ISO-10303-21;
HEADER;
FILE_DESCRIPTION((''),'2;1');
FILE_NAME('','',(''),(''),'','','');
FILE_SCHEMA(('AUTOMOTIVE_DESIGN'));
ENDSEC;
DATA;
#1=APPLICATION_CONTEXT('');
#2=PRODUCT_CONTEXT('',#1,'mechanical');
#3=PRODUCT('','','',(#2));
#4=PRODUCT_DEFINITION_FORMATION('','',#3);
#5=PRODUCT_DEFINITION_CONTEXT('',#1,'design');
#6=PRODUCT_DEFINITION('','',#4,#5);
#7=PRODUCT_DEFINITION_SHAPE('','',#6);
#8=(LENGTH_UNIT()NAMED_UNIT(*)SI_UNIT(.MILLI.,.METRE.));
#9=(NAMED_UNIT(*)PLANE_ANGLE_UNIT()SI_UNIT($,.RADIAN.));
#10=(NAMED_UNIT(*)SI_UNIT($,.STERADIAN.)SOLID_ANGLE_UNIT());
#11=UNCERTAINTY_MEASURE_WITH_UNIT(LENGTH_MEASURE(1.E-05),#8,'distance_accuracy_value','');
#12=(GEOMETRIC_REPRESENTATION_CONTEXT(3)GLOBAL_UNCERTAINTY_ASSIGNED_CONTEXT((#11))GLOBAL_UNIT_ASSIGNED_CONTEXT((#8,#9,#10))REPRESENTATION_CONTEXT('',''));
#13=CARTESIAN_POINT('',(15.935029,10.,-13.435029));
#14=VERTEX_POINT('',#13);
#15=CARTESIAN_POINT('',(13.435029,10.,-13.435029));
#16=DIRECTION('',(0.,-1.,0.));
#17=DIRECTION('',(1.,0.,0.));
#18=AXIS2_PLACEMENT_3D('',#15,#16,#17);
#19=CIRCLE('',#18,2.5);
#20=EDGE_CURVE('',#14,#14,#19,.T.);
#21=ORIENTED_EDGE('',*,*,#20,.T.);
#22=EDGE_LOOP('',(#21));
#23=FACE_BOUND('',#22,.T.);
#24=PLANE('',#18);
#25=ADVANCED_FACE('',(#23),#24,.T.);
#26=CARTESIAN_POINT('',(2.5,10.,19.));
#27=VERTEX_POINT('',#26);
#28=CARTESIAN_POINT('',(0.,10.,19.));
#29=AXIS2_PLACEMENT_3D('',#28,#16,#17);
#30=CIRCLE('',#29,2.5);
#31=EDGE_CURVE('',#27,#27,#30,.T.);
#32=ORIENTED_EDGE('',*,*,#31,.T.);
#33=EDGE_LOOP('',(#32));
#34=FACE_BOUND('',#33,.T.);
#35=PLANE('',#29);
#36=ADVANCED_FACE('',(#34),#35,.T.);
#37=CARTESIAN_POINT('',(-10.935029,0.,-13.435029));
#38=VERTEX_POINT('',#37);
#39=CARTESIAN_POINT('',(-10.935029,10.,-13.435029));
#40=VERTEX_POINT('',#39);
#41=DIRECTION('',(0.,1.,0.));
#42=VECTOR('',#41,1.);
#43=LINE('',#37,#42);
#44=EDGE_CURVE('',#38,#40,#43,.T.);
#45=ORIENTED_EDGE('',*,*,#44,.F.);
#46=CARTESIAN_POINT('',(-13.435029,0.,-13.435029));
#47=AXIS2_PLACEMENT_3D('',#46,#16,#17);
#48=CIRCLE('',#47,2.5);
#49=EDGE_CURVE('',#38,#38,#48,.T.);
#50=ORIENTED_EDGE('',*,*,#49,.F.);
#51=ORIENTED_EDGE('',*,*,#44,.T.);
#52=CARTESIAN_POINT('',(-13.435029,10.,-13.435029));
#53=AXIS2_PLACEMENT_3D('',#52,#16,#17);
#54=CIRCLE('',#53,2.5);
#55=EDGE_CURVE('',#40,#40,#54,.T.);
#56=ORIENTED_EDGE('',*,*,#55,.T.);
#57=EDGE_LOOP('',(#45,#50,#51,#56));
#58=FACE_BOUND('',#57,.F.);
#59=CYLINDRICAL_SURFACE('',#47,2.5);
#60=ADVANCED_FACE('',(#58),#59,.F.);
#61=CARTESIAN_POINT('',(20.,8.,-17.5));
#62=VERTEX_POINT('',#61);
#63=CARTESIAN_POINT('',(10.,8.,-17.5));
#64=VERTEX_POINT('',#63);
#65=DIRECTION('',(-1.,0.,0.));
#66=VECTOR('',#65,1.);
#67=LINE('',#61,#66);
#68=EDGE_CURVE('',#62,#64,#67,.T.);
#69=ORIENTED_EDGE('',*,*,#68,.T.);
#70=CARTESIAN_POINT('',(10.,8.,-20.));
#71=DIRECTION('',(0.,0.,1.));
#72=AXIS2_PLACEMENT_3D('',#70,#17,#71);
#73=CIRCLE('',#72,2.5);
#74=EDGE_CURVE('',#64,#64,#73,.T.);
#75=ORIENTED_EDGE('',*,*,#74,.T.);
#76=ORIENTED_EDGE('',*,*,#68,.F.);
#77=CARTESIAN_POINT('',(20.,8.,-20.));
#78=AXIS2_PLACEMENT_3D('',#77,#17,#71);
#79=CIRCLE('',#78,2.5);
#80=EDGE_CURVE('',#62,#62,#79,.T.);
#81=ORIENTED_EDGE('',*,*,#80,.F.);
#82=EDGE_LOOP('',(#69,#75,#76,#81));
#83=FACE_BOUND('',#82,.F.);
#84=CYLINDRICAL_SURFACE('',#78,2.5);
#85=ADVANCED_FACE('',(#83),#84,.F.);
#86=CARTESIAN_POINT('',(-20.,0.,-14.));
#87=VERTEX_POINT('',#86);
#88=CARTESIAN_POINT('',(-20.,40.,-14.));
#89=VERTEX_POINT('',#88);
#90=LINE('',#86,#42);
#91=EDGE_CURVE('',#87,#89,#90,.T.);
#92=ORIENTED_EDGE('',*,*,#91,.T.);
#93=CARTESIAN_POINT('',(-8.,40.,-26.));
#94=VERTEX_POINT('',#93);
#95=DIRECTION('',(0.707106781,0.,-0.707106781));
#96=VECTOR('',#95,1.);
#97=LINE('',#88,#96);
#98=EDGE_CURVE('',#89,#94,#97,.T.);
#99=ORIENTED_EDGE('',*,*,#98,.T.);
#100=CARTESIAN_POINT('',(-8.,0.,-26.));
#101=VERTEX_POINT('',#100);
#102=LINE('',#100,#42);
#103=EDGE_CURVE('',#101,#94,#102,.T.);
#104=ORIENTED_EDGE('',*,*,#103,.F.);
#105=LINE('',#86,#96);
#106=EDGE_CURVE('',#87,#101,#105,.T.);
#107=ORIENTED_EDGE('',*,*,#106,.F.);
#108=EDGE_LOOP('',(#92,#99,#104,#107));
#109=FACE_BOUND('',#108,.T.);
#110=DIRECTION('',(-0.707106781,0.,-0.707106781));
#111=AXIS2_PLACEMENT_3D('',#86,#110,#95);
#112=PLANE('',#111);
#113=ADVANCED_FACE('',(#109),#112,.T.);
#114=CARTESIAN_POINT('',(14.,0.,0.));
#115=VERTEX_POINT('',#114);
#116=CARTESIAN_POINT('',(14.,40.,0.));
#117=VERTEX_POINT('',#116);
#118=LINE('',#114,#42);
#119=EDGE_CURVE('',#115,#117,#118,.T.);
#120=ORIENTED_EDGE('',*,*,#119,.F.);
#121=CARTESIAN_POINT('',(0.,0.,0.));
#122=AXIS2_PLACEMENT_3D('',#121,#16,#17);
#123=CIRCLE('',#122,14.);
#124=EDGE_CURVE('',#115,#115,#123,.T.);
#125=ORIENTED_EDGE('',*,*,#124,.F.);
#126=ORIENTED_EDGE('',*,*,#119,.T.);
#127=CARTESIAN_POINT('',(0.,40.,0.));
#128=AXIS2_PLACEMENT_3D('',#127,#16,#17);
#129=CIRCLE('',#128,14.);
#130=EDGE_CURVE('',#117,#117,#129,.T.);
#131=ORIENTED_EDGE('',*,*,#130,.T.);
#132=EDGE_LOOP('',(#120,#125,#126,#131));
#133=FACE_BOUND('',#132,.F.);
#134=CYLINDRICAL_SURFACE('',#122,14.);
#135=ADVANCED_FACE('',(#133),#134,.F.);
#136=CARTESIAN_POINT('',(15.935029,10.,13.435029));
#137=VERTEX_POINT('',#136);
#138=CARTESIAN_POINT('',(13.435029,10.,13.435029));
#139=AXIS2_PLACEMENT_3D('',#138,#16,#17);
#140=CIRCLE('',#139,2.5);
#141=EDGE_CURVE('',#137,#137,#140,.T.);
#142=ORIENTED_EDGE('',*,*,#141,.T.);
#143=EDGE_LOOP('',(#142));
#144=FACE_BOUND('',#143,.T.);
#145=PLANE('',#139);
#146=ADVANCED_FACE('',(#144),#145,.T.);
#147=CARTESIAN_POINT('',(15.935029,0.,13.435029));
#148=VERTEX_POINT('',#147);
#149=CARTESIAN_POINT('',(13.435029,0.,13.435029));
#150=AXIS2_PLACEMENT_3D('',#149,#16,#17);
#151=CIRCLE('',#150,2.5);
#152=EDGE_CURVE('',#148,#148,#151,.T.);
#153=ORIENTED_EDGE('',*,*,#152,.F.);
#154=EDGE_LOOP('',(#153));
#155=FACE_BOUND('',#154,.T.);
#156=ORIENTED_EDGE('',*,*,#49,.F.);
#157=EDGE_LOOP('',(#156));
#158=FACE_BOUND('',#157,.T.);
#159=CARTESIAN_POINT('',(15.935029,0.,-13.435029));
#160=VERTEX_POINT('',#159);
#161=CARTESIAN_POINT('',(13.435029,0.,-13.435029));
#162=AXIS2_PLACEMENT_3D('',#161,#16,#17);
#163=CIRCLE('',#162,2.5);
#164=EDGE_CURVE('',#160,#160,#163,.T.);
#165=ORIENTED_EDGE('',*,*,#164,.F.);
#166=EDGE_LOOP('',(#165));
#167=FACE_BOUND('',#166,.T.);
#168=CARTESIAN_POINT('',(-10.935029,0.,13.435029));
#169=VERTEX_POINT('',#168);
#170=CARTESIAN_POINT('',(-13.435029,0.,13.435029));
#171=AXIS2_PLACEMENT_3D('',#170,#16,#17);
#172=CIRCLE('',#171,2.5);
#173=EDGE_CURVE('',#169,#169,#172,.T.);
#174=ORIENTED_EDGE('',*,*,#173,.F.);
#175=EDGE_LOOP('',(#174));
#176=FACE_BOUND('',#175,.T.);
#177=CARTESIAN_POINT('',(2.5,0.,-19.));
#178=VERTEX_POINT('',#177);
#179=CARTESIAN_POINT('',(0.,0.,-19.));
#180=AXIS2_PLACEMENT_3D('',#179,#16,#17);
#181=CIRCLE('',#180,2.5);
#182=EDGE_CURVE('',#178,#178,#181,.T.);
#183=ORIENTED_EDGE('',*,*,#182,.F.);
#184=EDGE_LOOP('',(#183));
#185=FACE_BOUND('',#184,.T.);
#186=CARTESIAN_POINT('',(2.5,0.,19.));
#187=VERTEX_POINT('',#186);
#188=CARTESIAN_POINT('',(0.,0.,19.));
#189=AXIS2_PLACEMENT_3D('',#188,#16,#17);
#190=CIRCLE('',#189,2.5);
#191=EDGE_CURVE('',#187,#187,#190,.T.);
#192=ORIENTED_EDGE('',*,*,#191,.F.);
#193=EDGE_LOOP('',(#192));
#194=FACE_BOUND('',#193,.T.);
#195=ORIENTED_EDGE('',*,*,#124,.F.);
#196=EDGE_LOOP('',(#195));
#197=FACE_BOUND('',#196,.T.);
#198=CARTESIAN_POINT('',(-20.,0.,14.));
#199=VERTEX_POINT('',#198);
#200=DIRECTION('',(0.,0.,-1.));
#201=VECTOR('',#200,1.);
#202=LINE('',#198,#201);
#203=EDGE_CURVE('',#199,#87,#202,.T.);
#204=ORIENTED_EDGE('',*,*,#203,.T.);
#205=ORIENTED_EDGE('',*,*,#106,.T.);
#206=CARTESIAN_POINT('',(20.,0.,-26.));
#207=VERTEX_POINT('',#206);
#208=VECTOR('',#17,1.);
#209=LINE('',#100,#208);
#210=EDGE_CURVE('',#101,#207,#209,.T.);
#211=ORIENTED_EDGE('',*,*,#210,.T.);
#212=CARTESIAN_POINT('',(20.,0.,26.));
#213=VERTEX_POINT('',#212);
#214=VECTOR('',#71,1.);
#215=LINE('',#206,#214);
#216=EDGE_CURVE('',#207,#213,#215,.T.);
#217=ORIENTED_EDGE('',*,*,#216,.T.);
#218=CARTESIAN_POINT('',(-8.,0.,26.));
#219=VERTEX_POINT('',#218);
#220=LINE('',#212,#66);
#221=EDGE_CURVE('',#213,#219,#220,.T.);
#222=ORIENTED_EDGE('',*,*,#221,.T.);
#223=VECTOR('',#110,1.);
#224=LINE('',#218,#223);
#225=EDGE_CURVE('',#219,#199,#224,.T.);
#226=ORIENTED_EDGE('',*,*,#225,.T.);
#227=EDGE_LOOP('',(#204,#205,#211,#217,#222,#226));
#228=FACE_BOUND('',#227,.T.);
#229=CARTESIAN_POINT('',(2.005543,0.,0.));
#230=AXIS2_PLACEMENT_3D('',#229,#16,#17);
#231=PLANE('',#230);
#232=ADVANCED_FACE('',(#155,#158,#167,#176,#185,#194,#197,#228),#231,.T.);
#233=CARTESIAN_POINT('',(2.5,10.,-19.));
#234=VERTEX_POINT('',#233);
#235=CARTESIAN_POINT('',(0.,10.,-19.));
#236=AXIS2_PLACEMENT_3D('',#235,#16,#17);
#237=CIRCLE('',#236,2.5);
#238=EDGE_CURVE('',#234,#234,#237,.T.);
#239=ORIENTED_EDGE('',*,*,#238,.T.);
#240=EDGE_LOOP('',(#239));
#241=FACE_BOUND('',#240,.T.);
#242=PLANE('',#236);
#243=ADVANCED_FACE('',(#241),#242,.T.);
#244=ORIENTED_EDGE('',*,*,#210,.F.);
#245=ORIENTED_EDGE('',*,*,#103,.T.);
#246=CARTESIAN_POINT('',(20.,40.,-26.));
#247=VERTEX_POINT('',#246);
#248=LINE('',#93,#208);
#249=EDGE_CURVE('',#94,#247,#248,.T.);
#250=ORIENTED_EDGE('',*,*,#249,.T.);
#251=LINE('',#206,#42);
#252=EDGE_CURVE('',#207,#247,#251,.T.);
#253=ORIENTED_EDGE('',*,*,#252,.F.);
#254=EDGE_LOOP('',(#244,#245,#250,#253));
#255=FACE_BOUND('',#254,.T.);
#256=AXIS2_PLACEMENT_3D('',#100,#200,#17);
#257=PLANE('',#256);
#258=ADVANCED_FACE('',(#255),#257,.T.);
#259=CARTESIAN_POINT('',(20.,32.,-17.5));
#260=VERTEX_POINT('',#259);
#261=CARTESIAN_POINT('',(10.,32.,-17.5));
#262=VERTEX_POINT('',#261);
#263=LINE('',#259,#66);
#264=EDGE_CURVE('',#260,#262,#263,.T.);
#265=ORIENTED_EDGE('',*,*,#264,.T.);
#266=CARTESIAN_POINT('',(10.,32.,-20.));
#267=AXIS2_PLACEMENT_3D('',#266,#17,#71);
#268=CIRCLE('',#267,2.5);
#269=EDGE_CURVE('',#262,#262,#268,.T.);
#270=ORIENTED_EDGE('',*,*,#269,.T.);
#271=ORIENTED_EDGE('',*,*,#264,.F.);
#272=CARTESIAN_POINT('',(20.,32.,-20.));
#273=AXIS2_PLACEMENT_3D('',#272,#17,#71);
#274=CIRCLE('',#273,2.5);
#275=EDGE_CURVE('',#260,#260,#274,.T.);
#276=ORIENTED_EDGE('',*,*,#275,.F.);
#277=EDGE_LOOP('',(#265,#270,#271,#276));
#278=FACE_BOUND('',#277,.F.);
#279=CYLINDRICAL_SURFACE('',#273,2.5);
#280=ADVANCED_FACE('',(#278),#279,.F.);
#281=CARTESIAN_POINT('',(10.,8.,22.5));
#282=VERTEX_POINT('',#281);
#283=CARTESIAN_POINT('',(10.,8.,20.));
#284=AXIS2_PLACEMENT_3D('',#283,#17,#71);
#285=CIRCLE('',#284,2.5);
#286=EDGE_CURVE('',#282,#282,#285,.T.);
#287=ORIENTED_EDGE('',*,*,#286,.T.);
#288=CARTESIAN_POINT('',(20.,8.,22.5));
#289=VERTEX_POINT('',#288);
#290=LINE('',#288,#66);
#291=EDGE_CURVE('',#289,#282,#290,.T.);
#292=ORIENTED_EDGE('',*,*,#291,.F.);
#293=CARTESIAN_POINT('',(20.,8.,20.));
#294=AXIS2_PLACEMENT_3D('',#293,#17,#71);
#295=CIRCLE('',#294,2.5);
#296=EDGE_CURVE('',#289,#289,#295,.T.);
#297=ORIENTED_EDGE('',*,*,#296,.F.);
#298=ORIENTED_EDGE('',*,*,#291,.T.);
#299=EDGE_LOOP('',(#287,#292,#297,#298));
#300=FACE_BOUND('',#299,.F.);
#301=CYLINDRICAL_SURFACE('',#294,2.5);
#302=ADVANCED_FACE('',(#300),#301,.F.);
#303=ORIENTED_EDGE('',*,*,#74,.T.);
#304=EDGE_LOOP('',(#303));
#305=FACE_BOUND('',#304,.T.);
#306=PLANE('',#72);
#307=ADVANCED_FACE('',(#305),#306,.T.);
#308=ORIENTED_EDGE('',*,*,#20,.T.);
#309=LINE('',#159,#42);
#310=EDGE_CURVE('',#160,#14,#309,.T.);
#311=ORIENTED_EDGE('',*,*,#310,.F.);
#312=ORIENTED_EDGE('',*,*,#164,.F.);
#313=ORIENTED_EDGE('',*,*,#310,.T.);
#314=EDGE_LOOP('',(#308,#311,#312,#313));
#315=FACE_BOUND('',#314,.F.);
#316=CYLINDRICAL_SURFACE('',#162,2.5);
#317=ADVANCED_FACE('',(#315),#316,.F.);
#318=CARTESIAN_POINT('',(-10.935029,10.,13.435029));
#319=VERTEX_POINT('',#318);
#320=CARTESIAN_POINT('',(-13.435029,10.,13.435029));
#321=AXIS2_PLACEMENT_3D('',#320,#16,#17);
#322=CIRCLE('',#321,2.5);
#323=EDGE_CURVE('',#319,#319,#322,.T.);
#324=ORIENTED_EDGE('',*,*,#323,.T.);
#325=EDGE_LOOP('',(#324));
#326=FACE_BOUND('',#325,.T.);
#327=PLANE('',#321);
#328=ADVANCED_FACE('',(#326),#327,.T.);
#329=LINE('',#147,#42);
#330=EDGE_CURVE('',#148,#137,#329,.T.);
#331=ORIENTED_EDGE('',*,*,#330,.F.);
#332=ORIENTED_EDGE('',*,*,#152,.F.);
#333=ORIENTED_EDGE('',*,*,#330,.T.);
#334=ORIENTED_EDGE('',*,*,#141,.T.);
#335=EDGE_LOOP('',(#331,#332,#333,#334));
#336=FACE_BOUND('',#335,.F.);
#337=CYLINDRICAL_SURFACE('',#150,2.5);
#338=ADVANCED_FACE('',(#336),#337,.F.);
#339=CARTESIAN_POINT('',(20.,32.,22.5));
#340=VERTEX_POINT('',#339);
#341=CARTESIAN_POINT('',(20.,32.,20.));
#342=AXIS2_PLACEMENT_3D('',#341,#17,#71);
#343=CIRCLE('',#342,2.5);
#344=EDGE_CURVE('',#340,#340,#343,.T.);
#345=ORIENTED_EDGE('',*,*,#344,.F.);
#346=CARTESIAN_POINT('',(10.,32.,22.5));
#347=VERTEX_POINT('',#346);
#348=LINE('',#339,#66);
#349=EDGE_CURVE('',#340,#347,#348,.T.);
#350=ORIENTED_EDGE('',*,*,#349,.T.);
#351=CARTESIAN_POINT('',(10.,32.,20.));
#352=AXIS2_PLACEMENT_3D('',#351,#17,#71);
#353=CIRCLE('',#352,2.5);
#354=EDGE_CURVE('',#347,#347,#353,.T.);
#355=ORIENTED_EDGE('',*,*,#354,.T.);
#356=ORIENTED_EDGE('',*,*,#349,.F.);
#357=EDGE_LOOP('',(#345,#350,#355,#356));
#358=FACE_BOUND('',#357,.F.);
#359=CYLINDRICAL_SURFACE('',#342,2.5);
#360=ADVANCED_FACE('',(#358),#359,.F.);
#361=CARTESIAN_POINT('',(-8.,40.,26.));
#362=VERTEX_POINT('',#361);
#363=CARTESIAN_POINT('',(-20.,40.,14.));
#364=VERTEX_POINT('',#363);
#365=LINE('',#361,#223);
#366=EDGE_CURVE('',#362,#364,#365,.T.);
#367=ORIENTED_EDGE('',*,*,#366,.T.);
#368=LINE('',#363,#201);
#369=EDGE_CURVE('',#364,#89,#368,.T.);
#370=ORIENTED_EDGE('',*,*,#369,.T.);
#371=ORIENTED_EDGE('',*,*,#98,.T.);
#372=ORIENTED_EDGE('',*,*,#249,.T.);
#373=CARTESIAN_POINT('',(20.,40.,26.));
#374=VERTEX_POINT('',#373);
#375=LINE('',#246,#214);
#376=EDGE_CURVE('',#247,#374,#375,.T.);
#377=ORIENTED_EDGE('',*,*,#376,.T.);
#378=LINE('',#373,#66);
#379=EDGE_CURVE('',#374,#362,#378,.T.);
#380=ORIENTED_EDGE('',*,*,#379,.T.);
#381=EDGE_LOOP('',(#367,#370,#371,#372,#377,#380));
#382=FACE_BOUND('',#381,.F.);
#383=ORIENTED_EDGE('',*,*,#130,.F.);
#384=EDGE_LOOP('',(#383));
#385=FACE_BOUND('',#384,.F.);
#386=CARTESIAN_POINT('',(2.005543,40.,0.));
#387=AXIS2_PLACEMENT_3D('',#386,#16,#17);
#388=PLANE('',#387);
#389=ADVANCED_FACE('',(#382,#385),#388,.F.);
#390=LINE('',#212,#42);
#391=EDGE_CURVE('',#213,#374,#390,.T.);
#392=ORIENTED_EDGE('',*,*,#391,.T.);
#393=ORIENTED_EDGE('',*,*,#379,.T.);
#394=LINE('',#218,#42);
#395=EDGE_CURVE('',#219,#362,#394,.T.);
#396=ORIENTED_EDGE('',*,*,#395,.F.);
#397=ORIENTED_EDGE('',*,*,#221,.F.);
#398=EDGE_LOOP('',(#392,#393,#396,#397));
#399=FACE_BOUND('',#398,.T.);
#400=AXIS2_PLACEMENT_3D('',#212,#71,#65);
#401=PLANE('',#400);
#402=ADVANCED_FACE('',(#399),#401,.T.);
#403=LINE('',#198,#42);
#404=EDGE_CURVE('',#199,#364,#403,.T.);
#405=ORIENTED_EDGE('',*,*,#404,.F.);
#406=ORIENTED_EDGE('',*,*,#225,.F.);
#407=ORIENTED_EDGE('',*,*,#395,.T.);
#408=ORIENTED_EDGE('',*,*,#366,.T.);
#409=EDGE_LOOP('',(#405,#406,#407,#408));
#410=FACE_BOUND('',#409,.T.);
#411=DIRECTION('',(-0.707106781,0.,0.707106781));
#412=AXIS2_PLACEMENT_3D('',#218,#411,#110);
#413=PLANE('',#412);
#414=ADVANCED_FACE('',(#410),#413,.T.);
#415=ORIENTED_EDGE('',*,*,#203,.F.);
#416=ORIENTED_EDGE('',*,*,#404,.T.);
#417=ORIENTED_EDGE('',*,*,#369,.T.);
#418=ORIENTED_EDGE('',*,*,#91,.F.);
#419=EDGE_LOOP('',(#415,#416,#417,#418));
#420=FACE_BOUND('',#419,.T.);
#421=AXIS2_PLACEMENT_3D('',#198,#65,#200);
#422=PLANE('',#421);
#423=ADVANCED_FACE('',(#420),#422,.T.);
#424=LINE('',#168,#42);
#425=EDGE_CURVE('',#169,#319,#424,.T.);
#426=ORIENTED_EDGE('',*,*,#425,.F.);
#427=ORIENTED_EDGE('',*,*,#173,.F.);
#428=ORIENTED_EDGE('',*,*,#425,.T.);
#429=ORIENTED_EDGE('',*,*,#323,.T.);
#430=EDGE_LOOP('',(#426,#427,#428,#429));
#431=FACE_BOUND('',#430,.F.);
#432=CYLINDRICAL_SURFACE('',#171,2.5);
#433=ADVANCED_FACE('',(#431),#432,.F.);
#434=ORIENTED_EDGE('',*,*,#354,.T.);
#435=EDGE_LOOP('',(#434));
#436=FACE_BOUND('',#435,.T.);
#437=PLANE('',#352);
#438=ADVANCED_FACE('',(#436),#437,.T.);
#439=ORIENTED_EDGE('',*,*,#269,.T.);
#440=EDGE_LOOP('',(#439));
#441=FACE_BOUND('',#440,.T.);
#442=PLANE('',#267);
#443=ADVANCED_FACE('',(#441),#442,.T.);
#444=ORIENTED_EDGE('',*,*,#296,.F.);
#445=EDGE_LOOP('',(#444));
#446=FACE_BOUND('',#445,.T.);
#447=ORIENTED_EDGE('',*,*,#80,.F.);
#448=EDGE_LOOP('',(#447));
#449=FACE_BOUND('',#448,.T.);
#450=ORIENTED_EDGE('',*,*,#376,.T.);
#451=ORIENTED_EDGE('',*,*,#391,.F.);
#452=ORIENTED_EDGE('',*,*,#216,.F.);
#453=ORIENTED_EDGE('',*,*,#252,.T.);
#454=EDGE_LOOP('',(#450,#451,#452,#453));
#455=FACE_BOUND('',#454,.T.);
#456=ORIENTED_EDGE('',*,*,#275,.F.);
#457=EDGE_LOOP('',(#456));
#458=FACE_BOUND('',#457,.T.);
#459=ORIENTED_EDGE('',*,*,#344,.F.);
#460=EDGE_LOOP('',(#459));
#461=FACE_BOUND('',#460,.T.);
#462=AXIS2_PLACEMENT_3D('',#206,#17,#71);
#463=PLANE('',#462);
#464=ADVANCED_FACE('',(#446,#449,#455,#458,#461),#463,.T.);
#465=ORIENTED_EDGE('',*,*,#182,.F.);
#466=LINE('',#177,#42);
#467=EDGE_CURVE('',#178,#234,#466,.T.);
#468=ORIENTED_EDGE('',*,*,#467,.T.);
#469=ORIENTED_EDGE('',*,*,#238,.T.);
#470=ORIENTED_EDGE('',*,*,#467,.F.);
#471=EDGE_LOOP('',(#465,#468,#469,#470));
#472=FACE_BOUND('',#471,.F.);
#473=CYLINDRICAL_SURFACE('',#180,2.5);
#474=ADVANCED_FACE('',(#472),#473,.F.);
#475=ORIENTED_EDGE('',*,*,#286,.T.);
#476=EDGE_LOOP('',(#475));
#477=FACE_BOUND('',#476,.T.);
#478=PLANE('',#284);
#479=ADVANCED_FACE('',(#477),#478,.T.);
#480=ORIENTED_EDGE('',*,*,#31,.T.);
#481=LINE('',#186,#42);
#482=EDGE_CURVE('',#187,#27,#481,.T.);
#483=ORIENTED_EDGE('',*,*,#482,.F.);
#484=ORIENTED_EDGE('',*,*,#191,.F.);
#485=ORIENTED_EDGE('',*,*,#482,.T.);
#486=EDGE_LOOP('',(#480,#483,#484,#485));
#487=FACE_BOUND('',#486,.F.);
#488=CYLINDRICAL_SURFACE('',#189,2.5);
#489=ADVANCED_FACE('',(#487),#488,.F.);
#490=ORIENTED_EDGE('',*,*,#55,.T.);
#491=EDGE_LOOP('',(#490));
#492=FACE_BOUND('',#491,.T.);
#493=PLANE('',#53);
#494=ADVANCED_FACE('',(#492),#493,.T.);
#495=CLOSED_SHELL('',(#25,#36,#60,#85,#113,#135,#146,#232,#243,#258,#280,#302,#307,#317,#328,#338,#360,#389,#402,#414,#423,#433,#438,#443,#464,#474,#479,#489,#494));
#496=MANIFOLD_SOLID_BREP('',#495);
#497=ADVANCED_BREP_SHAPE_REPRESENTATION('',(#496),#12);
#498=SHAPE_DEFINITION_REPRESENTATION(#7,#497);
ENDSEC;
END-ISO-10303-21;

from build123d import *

# Parameters (mm, degrees)
SKETCH_R        = 14
PAD_DEPTH       = 40
SKETCH001_R     = 2.5
POCKET_DEPTH    = 10
SKETCH002_R     = 2.5
POCKET001_DEPTH = 10


with BuildPart() as part:
    # Sketch → Pad (new body)
    with BuildSketch(Plane.XZ):
        Polygon((20, -26), (20, 26), (-8, 26), (-20, 14), (-20, -14), (-8, -26), align=None)
        Circle(SKETCH_R, mode=Mode.SUBTRACT)
    extrude(amount=-PAD_DEPTH)

    # Sketch001 (on Face8 of Pad) → Pocket (cut)
    with BuildSketch(Plane.XZ):
        with Locations((-13.435029, 13.435029)):
            Circle(SKETCH001_R)
        with Locations((0, 19)):
            Circle(SKETCH001_R)
        with Locations((0, -19)):
            Circle(SKETCH001_R)
        with Locations((13.435029, -13.435029)):
            Circle(SKETCH001_R)
        with Locations((-13.435029, -13.435029)):
            Circle(SKETCH001_R)
        with Locations((13.435029, 13.435029)):
            Circle(SKETCH001_R)
    extrude(amount=-POCKET_DEPTH, mode=Mode.SUBTRACT)

    # Sketch002 (on Face1 of Pocket) → Pocket001 (cut)
    with BuildSketch(Plane(origin=(20, 0, 0), x_dir=(0, 0, 1), z_dir=(1, 0, 0))):
        with Locations((20, -8)):
            Circle(SKETCH002_R)
        with Locations((20, -32)):
            Circle(SKETCH002_R)
        with Locations((-20, -8)):
            Circle(SKETCH002_R)
        with Locations((-20, -32)):
            Circle(SKETCH002_R)
    extrude(amount=-POCKET001_DEPTH, mode=Mode.SUBTRACT)


solid = part.part
